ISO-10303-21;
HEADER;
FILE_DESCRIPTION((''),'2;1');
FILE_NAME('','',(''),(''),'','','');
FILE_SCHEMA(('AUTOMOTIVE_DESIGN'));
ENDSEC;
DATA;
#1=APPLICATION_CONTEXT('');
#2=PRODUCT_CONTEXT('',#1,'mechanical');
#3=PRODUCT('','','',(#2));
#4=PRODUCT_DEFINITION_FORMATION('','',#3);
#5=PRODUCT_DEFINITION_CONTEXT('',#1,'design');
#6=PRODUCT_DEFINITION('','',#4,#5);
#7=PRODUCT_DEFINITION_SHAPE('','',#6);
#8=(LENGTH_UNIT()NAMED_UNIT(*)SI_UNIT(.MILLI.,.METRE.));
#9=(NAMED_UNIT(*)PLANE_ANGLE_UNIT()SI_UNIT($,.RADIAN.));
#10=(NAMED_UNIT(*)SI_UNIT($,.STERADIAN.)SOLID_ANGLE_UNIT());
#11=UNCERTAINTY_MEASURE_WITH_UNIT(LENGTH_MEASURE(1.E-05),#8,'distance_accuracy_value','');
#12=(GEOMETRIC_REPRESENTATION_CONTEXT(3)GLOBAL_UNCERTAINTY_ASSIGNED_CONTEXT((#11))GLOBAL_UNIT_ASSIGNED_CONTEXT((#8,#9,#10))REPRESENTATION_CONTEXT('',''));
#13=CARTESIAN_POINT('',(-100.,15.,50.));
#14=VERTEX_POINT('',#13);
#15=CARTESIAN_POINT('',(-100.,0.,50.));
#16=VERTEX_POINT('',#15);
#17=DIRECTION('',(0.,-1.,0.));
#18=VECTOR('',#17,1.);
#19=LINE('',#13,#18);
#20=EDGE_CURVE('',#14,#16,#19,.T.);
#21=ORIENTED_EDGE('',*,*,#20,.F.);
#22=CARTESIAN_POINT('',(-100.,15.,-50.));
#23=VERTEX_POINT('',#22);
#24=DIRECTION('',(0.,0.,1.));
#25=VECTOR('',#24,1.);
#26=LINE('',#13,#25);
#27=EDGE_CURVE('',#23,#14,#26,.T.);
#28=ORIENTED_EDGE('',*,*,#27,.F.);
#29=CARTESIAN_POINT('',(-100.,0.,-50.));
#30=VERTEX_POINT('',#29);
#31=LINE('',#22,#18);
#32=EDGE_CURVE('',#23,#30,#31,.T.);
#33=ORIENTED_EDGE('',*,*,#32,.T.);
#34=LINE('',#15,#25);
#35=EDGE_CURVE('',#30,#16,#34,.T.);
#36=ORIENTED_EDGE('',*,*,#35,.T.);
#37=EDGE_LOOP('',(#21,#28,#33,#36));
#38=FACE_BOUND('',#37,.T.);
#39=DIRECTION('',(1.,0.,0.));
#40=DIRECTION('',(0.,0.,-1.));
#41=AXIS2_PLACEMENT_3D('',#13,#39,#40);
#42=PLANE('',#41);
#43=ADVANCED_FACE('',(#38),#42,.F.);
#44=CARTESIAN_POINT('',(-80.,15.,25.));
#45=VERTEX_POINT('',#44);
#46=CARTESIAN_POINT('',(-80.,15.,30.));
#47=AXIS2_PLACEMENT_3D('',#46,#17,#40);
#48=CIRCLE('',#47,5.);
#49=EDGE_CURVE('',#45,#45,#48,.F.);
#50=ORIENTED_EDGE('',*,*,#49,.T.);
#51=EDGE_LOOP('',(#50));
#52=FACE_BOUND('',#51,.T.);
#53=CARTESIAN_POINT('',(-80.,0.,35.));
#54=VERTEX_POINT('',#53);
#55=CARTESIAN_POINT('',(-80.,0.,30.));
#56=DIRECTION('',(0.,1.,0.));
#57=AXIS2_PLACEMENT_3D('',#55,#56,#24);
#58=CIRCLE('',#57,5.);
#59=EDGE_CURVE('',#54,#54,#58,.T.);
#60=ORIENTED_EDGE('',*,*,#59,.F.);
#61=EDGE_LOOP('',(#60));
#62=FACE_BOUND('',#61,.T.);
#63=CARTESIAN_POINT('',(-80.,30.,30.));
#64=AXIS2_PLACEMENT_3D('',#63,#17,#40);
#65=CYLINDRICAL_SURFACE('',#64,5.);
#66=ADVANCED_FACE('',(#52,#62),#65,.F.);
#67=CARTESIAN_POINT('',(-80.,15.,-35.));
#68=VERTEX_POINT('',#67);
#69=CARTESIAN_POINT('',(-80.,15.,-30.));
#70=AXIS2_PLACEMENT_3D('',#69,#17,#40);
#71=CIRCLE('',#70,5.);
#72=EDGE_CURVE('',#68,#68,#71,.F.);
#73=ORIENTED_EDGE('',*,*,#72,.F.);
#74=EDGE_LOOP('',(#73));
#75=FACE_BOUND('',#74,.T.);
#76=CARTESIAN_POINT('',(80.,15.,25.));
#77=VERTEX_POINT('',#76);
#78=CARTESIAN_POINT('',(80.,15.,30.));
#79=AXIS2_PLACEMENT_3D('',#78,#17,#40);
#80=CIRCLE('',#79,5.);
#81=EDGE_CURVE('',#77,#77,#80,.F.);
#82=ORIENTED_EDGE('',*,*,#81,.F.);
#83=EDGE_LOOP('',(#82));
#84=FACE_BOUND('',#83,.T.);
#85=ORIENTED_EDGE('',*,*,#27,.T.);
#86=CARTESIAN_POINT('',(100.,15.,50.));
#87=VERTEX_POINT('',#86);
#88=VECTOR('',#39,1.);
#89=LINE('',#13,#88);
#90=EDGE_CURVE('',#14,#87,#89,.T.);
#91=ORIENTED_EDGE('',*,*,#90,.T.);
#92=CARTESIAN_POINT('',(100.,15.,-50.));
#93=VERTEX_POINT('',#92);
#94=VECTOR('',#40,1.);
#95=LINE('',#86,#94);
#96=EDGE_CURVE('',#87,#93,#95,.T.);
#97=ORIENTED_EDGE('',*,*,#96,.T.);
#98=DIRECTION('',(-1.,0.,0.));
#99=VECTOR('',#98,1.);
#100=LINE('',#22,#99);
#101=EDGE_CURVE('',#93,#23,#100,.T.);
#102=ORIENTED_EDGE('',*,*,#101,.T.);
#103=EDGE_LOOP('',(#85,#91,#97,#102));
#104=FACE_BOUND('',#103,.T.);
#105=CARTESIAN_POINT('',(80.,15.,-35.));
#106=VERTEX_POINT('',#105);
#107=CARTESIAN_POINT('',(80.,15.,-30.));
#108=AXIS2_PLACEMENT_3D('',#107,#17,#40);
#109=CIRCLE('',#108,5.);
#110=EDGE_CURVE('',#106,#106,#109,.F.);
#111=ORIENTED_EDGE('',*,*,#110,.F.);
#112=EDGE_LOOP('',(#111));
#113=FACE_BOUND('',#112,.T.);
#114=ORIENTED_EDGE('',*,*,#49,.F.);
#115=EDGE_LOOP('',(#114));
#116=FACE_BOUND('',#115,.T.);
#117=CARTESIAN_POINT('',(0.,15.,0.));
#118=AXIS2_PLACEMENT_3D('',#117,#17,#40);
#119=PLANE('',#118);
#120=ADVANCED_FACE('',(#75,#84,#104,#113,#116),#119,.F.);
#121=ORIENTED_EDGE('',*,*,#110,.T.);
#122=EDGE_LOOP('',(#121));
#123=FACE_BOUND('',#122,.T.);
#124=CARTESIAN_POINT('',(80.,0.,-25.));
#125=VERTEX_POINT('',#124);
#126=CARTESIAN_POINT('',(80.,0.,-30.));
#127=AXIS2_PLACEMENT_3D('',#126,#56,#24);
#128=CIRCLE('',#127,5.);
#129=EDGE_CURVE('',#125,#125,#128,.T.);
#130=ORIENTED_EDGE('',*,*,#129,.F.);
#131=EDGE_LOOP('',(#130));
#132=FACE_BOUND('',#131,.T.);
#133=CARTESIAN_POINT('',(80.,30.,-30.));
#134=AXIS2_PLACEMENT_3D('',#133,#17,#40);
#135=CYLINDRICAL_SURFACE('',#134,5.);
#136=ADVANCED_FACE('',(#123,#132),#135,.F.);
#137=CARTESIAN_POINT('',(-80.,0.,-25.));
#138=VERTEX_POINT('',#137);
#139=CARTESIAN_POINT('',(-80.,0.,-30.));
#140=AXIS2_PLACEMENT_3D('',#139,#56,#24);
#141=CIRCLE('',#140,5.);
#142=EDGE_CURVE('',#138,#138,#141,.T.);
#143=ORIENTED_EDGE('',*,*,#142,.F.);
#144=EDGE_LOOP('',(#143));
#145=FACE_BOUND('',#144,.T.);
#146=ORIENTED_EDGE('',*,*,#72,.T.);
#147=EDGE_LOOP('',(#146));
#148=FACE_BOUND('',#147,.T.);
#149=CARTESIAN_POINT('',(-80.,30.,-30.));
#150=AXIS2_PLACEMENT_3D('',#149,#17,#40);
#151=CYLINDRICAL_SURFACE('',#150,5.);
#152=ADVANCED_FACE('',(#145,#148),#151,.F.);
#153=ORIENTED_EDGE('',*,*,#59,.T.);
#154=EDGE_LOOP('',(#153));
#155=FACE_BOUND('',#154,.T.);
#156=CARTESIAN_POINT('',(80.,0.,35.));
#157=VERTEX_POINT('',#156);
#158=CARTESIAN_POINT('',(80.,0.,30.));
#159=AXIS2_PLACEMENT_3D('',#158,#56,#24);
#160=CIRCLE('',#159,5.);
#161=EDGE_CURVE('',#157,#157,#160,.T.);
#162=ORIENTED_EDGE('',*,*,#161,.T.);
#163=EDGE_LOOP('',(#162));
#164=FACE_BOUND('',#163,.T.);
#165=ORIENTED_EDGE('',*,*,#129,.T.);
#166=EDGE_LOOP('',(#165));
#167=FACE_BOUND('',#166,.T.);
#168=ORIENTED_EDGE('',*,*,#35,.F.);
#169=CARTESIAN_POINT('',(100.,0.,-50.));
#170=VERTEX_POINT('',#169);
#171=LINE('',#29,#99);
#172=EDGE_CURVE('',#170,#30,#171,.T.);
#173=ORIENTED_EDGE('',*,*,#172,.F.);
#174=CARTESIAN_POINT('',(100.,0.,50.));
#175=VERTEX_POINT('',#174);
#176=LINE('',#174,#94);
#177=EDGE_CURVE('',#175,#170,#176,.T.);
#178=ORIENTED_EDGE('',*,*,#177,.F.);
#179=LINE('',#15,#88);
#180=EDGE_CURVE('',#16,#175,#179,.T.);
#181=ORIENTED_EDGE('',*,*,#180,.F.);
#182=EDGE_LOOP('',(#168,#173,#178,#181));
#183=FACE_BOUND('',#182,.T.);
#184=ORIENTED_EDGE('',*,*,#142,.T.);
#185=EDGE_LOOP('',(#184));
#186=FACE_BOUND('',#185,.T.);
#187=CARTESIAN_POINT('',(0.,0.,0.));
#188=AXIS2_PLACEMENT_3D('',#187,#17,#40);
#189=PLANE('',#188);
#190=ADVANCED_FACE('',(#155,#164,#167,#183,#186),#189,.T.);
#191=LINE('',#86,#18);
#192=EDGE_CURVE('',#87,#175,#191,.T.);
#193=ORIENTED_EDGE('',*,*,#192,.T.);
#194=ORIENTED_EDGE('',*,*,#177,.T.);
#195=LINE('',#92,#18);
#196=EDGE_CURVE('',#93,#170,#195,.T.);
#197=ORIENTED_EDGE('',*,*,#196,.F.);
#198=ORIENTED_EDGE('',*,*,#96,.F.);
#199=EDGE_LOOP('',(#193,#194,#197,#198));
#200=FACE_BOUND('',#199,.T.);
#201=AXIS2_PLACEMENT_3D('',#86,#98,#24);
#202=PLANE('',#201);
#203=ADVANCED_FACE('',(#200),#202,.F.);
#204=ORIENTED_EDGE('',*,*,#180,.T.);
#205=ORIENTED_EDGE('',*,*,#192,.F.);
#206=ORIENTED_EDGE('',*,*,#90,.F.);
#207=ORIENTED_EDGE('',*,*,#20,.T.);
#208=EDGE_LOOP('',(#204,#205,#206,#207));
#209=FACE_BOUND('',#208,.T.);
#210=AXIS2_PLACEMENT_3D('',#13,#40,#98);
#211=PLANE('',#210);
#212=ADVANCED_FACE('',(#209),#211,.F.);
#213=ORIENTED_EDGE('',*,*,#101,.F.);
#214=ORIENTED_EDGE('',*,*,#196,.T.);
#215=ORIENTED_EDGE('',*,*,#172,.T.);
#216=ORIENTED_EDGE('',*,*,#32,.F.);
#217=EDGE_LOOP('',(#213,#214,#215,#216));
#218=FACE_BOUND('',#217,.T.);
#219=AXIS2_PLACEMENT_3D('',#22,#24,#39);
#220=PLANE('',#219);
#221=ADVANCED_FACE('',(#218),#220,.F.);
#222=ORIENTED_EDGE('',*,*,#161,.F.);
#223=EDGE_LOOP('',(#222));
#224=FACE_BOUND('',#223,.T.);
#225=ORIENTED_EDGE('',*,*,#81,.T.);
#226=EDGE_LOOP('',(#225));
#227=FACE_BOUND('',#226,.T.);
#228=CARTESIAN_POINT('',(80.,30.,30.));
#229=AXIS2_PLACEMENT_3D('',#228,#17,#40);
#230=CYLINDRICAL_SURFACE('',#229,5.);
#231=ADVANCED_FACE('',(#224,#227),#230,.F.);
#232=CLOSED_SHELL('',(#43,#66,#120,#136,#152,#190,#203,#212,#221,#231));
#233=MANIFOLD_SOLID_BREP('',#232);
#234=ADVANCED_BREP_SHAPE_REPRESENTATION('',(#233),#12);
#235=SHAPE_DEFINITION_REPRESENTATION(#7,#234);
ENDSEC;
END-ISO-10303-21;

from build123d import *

# Parameters (mm, degrees)
SKETCH_1_W          = 200
SKETCH_1_H          = 100
EXTRUDE_1_DEPTH     = 15
SKETCH_2_R          = 5
CUT_EXTRUDE_1_DEPTH = 30
SKETCH_3_R          = 5
CUT_EXTRUDE_2_DEPTH = 30


with BuildPart() as part:
    # 草图1 → 凸台-拉伸1 (new body)
    with BuildSketch(Plane(origin=(0, 0, 0), x_dir=(1, 0, 0), z_dir=(0, 1, 0))):
        Rectangle(SKETCH_1_W, SKETCH_1_H)
    extrude(amount=EXTRUDE_1_DEPTH)

    # 草图2 → 切除-拉伸1 (cut)
    with BuildSketch(Plane(origin=(0, 0, 0), x_dir=(1, 0, 0), z_dir=(0, 1, 0))):
        with Locations(Location((-80, -30, 0), (0, 0, 90))):
            Circle(SKETCH_2_R)
        with Locations(Location((80, -30, 0), (0, 0, 90))):
            Circle(SKETCH_2_R)
        with Locations(Location((-80, 30, 0), (0, 0, 90))):
            Circle(SKETCH_2_R)
    extrude(amount=CUT_EXTRUDE_1_DEPTH, mode=Mode.SUBTRACT)

    # 草图3 → 切除-拉伸2 (cut)
    with BuildSketch(Plane(origin=(0, 0, 0), x_dir=(1, 0, 0), z_dir=(0, 1, 0))):
        with Locations(Location((80, 30, 0), (0, 0, 90))):
            Circle(SKETCH_3_R)
    extrude(amount=CUT_EXTRUDE_2_DEPTH, mode=Mode.SUBTRACT)


solid = part.part
